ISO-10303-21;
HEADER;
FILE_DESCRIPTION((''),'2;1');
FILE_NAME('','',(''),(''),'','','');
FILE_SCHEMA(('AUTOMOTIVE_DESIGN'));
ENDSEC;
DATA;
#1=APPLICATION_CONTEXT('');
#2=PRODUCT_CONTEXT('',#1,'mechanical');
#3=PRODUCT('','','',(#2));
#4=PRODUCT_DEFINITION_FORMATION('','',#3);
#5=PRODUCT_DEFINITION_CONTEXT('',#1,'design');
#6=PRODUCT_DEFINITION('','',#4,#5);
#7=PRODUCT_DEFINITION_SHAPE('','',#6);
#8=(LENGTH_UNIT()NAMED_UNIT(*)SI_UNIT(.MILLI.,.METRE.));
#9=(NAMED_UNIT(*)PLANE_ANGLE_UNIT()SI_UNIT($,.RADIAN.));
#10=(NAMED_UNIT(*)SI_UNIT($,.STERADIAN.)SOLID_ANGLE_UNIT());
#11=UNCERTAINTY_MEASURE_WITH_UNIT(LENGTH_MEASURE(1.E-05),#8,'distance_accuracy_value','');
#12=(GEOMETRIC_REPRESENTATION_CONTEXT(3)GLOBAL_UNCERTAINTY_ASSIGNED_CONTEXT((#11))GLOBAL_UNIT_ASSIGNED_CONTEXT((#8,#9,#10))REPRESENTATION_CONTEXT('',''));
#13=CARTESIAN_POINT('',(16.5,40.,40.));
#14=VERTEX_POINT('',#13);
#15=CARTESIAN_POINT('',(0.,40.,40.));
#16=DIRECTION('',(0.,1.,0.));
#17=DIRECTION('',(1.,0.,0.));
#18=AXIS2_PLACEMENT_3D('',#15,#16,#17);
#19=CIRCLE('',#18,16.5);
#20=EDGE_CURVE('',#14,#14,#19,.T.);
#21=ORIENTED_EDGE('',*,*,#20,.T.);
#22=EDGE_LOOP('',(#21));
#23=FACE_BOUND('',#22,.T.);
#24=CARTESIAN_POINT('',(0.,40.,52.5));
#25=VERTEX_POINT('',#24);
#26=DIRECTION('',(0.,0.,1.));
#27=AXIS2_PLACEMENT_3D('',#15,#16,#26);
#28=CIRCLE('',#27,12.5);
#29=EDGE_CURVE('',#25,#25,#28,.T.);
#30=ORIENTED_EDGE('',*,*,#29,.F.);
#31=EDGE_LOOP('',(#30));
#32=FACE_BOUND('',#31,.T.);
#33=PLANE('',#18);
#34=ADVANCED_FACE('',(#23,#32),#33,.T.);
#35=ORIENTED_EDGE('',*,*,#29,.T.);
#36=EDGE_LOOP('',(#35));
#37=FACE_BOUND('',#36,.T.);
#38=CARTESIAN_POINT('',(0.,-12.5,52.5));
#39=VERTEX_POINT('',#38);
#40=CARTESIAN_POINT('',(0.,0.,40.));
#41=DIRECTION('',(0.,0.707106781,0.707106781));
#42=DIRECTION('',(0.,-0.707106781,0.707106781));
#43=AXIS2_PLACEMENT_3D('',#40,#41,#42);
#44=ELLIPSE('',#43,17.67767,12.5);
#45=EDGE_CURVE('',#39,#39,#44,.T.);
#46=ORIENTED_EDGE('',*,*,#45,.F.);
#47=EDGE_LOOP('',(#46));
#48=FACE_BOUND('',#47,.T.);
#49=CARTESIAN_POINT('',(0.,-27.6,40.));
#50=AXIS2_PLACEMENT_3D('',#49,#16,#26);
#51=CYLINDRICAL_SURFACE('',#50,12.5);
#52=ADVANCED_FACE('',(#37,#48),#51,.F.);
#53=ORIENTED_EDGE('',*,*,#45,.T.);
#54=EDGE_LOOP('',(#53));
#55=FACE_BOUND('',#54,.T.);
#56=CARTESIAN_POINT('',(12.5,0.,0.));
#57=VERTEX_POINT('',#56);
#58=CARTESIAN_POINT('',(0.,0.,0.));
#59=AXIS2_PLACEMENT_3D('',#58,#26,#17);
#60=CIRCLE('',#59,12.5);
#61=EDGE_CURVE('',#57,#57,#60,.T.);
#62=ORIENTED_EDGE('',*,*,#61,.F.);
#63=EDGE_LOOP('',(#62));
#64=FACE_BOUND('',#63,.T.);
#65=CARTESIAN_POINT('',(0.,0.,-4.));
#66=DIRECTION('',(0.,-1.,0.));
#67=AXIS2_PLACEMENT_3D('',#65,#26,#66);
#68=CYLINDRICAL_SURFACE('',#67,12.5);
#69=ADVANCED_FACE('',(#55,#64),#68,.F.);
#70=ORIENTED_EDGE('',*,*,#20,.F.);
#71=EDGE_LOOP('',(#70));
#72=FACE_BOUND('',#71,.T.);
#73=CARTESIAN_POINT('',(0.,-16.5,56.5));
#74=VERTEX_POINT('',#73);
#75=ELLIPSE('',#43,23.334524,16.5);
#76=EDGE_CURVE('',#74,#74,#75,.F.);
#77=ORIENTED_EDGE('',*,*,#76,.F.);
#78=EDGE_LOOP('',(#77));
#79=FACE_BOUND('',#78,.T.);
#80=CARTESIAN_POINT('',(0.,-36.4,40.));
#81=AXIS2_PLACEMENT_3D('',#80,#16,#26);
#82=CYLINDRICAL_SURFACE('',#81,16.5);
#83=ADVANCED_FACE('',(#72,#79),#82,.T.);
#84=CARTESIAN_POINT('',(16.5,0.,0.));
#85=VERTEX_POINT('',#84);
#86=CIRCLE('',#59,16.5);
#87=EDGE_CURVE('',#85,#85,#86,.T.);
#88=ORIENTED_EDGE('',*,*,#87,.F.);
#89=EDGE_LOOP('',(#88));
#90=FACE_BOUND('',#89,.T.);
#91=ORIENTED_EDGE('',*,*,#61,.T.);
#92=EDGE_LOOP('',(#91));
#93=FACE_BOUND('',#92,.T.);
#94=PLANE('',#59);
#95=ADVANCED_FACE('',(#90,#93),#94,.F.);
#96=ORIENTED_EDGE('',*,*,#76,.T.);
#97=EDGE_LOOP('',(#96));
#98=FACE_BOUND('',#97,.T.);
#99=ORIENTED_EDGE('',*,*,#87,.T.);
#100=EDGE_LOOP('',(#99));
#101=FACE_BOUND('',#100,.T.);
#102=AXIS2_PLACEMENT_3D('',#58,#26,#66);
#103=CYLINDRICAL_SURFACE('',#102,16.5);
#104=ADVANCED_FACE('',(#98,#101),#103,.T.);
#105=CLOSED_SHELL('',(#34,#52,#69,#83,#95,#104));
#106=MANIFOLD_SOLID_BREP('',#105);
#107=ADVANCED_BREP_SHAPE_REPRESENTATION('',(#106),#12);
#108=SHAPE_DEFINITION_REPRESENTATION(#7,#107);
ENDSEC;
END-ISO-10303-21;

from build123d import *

# Parameters (mm, degrees)
SKETCH_1_R = 16.5
SKETCH_3_R = 12.5


with BuildPart() as part:
    # Sweep 1: sweep along a path in 草图2
    with BuildLine(Plane(origin=(0, 0, 0), x_dir=(0, 0, -1), z_dir=(1, 0, 0))) as sweep_1_path:
        Line((0, 0), (-40, 0))
        Line((-40, 0), (-40, 40))
    # 草图1 → Sweep 1 (sweep)
    with BuildSketch(Plane.XY):
        Circle(SKETCH_1_R)
    sweep(path=sweep_1_path.line, transition=Transition.RIGHT)

    # Sweep 1 2: sweep along a path in 草图4
    with BuildLine(Plane(origin=(0, 0, 0), x_dir=(0, 0, -1), z_dir=(1, 0, 0))) as sweep_1_2_path:
        Line((0, 0), (-40, 0))
        Line((-40, 0), (-40, 40))
    # 草图3 → Sweep 1 2 (sweep, cut)
    with BuildSketch(Plane(origin=(0, 0, 0), x_dir=(-1, 0, 0), z_dir=(0, 0, -1))):
        Circle(SKETCH_3_R)
    sweep(path=sweep_1_2_path.line, transition=Transition.RIGHT, mode=Mode.SUBTRACT)


solid = part.part
